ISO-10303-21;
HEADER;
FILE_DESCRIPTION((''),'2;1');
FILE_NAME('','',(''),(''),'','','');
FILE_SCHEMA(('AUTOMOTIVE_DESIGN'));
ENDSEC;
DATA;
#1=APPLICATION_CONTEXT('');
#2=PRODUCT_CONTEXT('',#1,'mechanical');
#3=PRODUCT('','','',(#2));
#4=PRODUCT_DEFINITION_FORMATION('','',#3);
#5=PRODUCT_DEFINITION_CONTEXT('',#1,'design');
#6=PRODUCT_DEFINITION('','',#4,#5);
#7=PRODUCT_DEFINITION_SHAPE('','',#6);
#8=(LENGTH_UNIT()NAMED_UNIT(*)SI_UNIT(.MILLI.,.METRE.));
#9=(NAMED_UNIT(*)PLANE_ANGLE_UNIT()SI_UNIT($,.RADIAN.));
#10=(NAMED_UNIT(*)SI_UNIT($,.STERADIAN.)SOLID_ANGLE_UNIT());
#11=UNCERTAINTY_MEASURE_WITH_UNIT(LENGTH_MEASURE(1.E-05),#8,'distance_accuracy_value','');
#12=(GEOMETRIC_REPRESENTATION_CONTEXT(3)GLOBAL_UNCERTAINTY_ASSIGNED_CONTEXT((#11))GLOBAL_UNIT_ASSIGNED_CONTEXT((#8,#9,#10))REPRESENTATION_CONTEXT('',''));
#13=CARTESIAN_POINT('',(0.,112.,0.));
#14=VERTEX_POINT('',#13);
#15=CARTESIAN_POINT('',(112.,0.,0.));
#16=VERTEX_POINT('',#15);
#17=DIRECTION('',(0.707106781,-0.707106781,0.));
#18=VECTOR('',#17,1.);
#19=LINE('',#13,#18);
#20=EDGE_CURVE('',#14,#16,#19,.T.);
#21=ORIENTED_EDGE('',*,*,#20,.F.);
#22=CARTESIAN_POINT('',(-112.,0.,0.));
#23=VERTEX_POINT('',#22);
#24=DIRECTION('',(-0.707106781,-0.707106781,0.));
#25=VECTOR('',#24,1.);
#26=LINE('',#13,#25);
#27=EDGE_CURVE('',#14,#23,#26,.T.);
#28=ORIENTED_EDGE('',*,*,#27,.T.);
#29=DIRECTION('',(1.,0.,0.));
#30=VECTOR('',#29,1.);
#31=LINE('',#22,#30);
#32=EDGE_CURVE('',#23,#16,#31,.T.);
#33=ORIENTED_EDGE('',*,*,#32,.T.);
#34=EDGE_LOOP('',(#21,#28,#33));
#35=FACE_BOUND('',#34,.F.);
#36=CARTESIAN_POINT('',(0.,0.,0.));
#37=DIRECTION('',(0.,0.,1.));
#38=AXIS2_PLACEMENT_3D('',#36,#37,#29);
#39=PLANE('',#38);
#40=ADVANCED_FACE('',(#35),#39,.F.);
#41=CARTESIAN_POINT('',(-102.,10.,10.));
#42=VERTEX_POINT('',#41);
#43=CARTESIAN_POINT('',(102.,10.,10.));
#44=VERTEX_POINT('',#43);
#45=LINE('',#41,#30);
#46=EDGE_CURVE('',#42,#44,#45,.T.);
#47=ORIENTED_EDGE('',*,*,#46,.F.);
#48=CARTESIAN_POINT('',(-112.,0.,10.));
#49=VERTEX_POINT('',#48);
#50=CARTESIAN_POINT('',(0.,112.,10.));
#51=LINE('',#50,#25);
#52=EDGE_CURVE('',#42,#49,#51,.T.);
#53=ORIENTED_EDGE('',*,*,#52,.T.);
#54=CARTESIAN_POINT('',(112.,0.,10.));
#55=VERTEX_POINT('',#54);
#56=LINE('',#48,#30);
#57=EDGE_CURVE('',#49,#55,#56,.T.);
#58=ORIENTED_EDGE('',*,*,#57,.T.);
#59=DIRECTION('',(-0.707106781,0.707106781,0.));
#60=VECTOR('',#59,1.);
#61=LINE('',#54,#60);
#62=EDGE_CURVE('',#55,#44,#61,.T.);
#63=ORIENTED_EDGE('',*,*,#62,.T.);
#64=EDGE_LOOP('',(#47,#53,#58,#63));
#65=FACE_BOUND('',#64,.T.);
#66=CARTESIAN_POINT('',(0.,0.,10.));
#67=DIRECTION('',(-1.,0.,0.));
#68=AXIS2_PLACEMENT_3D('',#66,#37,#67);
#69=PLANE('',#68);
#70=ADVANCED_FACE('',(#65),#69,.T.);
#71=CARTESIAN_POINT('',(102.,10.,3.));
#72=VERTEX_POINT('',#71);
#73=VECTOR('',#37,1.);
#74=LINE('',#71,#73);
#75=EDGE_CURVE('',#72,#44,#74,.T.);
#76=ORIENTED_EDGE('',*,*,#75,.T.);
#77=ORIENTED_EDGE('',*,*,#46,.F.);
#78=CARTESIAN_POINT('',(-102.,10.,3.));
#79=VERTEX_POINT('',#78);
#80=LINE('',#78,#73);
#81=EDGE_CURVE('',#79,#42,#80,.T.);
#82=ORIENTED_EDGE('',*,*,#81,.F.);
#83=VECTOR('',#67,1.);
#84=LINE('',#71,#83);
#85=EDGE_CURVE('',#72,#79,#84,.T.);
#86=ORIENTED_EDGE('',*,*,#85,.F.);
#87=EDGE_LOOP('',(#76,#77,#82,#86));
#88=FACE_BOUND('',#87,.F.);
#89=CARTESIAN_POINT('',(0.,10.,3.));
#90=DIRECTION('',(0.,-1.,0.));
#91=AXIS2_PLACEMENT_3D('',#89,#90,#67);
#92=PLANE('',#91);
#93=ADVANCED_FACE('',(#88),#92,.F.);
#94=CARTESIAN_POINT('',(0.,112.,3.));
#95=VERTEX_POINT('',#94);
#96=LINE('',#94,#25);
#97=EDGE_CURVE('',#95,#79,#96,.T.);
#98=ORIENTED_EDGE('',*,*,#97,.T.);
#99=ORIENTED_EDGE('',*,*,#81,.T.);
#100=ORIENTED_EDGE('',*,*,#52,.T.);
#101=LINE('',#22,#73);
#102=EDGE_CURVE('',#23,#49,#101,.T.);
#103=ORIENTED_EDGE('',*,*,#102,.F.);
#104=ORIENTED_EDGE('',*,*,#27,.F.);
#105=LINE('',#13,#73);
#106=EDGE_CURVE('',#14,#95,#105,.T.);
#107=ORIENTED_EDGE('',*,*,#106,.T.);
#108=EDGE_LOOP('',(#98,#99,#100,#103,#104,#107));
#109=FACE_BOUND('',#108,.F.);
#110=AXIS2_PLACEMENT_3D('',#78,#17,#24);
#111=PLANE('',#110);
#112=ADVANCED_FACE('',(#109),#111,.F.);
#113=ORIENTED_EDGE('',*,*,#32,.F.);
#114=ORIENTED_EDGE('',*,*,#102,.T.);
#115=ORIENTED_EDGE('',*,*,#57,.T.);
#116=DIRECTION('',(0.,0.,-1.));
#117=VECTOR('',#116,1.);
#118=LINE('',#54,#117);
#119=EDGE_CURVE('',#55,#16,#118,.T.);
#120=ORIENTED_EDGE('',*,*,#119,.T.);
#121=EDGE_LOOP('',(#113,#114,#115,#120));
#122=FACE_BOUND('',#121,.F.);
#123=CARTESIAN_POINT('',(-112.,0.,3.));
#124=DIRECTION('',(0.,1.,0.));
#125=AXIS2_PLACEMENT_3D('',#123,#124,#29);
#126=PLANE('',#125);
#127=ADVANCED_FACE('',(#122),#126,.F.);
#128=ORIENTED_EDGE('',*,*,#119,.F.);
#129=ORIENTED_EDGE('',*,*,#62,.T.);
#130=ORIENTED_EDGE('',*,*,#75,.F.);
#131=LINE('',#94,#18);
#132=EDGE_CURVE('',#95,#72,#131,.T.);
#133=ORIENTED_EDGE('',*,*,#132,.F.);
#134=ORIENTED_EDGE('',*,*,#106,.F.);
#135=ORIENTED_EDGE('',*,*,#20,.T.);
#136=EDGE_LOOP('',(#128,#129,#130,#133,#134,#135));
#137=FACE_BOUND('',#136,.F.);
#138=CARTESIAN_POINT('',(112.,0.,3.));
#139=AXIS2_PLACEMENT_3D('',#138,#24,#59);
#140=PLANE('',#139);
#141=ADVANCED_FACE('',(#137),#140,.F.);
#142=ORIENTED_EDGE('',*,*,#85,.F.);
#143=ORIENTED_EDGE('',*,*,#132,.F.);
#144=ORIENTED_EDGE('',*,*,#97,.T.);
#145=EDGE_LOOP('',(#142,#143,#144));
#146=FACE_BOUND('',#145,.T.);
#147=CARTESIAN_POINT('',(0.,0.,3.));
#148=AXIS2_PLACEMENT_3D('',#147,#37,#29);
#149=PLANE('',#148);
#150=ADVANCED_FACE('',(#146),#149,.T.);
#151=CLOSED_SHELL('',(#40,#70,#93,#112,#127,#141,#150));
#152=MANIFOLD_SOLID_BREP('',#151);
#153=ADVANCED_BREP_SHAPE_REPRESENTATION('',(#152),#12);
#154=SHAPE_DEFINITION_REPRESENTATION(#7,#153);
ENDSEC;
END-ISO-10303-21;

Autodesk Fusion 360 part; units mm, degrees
sketch "Sketch1" plane through (0, 0, 0) normal (0, 0, 1) x (1, 0, 0)
  line L0 (0, 0) -> (0, 112)
  line L1 (0, 0) -> (112, 0)
  line L2 (0, 112) -> (112, 0)
  line L3 (0, 112) -> (-112, 0)
  line L4 (0, 0) -> (-112, 0)
  dimension "d3" = 112
  dimension "d4" = 112
  dimension "d5" = 158.3919
extrude "Extrude1" add sketch "Sketch1" along normal blind 3
sketch "Sketch2" plane through (0, 0, 0) normal (0, 0, -1) x (1, 0, 0)
  line L0 (-112, 0) -> (0, -112)
  line L1 (0, -112) -> (112, 0)
  line L2 (112, 0) -> (-112, 0)
  line L3 (0, 0) -> (0, -10) construction
  line L4 (0, -10) -> (115, -10)
  line L5 (115, -10) -> (-102, -10)
  dimension "d8" = 10
sketch "Sketch3" plane through (0, 0, 3) normal (0, 0, 1) x (-1, 0, 0)
  line L0 (0, -112) -> (112, 0)
  line L1 (112, 0) -> (-112, 0)
  line L2 (-112, 0) -> (0, -112)
  line L3 (0, 0) -> (0, -10) construction
  line L4 (0, -10) -> (115, -10)
  line L5 (115, -10) -> (-102, -10)
  dimension "d11" = 10
extrude "Extrude3" add sketch "Sketch3" along normal blind 7 contours L0 L1 L2 L4 L5
sketch "Sketch4" plane through (0, 0, 0) normal (0, -1, 0) x (1, 0, 0)
  line L0 (112, 0) -> (112, 10)
  line L1 (112, 10) -> (-112, 10)
  line L2 (-112, 10) -> (-112, 0)
  line L3 (0, 0) -> (-112, 0)
  line L4 (0, 0) -> (112, 0)
  line L5 (-112, 0) -> (112, 0)
extrude "Extrude4" [suppressed]
equation "Height_lenght = 112 mm"
equation "Sqaure_lenght = sqrt(2) * Height_lenght"
equation "d3 = Height_lenght"
equation "d4 = Height_lenght"
equation "d5 = Sqaure_lenght"
